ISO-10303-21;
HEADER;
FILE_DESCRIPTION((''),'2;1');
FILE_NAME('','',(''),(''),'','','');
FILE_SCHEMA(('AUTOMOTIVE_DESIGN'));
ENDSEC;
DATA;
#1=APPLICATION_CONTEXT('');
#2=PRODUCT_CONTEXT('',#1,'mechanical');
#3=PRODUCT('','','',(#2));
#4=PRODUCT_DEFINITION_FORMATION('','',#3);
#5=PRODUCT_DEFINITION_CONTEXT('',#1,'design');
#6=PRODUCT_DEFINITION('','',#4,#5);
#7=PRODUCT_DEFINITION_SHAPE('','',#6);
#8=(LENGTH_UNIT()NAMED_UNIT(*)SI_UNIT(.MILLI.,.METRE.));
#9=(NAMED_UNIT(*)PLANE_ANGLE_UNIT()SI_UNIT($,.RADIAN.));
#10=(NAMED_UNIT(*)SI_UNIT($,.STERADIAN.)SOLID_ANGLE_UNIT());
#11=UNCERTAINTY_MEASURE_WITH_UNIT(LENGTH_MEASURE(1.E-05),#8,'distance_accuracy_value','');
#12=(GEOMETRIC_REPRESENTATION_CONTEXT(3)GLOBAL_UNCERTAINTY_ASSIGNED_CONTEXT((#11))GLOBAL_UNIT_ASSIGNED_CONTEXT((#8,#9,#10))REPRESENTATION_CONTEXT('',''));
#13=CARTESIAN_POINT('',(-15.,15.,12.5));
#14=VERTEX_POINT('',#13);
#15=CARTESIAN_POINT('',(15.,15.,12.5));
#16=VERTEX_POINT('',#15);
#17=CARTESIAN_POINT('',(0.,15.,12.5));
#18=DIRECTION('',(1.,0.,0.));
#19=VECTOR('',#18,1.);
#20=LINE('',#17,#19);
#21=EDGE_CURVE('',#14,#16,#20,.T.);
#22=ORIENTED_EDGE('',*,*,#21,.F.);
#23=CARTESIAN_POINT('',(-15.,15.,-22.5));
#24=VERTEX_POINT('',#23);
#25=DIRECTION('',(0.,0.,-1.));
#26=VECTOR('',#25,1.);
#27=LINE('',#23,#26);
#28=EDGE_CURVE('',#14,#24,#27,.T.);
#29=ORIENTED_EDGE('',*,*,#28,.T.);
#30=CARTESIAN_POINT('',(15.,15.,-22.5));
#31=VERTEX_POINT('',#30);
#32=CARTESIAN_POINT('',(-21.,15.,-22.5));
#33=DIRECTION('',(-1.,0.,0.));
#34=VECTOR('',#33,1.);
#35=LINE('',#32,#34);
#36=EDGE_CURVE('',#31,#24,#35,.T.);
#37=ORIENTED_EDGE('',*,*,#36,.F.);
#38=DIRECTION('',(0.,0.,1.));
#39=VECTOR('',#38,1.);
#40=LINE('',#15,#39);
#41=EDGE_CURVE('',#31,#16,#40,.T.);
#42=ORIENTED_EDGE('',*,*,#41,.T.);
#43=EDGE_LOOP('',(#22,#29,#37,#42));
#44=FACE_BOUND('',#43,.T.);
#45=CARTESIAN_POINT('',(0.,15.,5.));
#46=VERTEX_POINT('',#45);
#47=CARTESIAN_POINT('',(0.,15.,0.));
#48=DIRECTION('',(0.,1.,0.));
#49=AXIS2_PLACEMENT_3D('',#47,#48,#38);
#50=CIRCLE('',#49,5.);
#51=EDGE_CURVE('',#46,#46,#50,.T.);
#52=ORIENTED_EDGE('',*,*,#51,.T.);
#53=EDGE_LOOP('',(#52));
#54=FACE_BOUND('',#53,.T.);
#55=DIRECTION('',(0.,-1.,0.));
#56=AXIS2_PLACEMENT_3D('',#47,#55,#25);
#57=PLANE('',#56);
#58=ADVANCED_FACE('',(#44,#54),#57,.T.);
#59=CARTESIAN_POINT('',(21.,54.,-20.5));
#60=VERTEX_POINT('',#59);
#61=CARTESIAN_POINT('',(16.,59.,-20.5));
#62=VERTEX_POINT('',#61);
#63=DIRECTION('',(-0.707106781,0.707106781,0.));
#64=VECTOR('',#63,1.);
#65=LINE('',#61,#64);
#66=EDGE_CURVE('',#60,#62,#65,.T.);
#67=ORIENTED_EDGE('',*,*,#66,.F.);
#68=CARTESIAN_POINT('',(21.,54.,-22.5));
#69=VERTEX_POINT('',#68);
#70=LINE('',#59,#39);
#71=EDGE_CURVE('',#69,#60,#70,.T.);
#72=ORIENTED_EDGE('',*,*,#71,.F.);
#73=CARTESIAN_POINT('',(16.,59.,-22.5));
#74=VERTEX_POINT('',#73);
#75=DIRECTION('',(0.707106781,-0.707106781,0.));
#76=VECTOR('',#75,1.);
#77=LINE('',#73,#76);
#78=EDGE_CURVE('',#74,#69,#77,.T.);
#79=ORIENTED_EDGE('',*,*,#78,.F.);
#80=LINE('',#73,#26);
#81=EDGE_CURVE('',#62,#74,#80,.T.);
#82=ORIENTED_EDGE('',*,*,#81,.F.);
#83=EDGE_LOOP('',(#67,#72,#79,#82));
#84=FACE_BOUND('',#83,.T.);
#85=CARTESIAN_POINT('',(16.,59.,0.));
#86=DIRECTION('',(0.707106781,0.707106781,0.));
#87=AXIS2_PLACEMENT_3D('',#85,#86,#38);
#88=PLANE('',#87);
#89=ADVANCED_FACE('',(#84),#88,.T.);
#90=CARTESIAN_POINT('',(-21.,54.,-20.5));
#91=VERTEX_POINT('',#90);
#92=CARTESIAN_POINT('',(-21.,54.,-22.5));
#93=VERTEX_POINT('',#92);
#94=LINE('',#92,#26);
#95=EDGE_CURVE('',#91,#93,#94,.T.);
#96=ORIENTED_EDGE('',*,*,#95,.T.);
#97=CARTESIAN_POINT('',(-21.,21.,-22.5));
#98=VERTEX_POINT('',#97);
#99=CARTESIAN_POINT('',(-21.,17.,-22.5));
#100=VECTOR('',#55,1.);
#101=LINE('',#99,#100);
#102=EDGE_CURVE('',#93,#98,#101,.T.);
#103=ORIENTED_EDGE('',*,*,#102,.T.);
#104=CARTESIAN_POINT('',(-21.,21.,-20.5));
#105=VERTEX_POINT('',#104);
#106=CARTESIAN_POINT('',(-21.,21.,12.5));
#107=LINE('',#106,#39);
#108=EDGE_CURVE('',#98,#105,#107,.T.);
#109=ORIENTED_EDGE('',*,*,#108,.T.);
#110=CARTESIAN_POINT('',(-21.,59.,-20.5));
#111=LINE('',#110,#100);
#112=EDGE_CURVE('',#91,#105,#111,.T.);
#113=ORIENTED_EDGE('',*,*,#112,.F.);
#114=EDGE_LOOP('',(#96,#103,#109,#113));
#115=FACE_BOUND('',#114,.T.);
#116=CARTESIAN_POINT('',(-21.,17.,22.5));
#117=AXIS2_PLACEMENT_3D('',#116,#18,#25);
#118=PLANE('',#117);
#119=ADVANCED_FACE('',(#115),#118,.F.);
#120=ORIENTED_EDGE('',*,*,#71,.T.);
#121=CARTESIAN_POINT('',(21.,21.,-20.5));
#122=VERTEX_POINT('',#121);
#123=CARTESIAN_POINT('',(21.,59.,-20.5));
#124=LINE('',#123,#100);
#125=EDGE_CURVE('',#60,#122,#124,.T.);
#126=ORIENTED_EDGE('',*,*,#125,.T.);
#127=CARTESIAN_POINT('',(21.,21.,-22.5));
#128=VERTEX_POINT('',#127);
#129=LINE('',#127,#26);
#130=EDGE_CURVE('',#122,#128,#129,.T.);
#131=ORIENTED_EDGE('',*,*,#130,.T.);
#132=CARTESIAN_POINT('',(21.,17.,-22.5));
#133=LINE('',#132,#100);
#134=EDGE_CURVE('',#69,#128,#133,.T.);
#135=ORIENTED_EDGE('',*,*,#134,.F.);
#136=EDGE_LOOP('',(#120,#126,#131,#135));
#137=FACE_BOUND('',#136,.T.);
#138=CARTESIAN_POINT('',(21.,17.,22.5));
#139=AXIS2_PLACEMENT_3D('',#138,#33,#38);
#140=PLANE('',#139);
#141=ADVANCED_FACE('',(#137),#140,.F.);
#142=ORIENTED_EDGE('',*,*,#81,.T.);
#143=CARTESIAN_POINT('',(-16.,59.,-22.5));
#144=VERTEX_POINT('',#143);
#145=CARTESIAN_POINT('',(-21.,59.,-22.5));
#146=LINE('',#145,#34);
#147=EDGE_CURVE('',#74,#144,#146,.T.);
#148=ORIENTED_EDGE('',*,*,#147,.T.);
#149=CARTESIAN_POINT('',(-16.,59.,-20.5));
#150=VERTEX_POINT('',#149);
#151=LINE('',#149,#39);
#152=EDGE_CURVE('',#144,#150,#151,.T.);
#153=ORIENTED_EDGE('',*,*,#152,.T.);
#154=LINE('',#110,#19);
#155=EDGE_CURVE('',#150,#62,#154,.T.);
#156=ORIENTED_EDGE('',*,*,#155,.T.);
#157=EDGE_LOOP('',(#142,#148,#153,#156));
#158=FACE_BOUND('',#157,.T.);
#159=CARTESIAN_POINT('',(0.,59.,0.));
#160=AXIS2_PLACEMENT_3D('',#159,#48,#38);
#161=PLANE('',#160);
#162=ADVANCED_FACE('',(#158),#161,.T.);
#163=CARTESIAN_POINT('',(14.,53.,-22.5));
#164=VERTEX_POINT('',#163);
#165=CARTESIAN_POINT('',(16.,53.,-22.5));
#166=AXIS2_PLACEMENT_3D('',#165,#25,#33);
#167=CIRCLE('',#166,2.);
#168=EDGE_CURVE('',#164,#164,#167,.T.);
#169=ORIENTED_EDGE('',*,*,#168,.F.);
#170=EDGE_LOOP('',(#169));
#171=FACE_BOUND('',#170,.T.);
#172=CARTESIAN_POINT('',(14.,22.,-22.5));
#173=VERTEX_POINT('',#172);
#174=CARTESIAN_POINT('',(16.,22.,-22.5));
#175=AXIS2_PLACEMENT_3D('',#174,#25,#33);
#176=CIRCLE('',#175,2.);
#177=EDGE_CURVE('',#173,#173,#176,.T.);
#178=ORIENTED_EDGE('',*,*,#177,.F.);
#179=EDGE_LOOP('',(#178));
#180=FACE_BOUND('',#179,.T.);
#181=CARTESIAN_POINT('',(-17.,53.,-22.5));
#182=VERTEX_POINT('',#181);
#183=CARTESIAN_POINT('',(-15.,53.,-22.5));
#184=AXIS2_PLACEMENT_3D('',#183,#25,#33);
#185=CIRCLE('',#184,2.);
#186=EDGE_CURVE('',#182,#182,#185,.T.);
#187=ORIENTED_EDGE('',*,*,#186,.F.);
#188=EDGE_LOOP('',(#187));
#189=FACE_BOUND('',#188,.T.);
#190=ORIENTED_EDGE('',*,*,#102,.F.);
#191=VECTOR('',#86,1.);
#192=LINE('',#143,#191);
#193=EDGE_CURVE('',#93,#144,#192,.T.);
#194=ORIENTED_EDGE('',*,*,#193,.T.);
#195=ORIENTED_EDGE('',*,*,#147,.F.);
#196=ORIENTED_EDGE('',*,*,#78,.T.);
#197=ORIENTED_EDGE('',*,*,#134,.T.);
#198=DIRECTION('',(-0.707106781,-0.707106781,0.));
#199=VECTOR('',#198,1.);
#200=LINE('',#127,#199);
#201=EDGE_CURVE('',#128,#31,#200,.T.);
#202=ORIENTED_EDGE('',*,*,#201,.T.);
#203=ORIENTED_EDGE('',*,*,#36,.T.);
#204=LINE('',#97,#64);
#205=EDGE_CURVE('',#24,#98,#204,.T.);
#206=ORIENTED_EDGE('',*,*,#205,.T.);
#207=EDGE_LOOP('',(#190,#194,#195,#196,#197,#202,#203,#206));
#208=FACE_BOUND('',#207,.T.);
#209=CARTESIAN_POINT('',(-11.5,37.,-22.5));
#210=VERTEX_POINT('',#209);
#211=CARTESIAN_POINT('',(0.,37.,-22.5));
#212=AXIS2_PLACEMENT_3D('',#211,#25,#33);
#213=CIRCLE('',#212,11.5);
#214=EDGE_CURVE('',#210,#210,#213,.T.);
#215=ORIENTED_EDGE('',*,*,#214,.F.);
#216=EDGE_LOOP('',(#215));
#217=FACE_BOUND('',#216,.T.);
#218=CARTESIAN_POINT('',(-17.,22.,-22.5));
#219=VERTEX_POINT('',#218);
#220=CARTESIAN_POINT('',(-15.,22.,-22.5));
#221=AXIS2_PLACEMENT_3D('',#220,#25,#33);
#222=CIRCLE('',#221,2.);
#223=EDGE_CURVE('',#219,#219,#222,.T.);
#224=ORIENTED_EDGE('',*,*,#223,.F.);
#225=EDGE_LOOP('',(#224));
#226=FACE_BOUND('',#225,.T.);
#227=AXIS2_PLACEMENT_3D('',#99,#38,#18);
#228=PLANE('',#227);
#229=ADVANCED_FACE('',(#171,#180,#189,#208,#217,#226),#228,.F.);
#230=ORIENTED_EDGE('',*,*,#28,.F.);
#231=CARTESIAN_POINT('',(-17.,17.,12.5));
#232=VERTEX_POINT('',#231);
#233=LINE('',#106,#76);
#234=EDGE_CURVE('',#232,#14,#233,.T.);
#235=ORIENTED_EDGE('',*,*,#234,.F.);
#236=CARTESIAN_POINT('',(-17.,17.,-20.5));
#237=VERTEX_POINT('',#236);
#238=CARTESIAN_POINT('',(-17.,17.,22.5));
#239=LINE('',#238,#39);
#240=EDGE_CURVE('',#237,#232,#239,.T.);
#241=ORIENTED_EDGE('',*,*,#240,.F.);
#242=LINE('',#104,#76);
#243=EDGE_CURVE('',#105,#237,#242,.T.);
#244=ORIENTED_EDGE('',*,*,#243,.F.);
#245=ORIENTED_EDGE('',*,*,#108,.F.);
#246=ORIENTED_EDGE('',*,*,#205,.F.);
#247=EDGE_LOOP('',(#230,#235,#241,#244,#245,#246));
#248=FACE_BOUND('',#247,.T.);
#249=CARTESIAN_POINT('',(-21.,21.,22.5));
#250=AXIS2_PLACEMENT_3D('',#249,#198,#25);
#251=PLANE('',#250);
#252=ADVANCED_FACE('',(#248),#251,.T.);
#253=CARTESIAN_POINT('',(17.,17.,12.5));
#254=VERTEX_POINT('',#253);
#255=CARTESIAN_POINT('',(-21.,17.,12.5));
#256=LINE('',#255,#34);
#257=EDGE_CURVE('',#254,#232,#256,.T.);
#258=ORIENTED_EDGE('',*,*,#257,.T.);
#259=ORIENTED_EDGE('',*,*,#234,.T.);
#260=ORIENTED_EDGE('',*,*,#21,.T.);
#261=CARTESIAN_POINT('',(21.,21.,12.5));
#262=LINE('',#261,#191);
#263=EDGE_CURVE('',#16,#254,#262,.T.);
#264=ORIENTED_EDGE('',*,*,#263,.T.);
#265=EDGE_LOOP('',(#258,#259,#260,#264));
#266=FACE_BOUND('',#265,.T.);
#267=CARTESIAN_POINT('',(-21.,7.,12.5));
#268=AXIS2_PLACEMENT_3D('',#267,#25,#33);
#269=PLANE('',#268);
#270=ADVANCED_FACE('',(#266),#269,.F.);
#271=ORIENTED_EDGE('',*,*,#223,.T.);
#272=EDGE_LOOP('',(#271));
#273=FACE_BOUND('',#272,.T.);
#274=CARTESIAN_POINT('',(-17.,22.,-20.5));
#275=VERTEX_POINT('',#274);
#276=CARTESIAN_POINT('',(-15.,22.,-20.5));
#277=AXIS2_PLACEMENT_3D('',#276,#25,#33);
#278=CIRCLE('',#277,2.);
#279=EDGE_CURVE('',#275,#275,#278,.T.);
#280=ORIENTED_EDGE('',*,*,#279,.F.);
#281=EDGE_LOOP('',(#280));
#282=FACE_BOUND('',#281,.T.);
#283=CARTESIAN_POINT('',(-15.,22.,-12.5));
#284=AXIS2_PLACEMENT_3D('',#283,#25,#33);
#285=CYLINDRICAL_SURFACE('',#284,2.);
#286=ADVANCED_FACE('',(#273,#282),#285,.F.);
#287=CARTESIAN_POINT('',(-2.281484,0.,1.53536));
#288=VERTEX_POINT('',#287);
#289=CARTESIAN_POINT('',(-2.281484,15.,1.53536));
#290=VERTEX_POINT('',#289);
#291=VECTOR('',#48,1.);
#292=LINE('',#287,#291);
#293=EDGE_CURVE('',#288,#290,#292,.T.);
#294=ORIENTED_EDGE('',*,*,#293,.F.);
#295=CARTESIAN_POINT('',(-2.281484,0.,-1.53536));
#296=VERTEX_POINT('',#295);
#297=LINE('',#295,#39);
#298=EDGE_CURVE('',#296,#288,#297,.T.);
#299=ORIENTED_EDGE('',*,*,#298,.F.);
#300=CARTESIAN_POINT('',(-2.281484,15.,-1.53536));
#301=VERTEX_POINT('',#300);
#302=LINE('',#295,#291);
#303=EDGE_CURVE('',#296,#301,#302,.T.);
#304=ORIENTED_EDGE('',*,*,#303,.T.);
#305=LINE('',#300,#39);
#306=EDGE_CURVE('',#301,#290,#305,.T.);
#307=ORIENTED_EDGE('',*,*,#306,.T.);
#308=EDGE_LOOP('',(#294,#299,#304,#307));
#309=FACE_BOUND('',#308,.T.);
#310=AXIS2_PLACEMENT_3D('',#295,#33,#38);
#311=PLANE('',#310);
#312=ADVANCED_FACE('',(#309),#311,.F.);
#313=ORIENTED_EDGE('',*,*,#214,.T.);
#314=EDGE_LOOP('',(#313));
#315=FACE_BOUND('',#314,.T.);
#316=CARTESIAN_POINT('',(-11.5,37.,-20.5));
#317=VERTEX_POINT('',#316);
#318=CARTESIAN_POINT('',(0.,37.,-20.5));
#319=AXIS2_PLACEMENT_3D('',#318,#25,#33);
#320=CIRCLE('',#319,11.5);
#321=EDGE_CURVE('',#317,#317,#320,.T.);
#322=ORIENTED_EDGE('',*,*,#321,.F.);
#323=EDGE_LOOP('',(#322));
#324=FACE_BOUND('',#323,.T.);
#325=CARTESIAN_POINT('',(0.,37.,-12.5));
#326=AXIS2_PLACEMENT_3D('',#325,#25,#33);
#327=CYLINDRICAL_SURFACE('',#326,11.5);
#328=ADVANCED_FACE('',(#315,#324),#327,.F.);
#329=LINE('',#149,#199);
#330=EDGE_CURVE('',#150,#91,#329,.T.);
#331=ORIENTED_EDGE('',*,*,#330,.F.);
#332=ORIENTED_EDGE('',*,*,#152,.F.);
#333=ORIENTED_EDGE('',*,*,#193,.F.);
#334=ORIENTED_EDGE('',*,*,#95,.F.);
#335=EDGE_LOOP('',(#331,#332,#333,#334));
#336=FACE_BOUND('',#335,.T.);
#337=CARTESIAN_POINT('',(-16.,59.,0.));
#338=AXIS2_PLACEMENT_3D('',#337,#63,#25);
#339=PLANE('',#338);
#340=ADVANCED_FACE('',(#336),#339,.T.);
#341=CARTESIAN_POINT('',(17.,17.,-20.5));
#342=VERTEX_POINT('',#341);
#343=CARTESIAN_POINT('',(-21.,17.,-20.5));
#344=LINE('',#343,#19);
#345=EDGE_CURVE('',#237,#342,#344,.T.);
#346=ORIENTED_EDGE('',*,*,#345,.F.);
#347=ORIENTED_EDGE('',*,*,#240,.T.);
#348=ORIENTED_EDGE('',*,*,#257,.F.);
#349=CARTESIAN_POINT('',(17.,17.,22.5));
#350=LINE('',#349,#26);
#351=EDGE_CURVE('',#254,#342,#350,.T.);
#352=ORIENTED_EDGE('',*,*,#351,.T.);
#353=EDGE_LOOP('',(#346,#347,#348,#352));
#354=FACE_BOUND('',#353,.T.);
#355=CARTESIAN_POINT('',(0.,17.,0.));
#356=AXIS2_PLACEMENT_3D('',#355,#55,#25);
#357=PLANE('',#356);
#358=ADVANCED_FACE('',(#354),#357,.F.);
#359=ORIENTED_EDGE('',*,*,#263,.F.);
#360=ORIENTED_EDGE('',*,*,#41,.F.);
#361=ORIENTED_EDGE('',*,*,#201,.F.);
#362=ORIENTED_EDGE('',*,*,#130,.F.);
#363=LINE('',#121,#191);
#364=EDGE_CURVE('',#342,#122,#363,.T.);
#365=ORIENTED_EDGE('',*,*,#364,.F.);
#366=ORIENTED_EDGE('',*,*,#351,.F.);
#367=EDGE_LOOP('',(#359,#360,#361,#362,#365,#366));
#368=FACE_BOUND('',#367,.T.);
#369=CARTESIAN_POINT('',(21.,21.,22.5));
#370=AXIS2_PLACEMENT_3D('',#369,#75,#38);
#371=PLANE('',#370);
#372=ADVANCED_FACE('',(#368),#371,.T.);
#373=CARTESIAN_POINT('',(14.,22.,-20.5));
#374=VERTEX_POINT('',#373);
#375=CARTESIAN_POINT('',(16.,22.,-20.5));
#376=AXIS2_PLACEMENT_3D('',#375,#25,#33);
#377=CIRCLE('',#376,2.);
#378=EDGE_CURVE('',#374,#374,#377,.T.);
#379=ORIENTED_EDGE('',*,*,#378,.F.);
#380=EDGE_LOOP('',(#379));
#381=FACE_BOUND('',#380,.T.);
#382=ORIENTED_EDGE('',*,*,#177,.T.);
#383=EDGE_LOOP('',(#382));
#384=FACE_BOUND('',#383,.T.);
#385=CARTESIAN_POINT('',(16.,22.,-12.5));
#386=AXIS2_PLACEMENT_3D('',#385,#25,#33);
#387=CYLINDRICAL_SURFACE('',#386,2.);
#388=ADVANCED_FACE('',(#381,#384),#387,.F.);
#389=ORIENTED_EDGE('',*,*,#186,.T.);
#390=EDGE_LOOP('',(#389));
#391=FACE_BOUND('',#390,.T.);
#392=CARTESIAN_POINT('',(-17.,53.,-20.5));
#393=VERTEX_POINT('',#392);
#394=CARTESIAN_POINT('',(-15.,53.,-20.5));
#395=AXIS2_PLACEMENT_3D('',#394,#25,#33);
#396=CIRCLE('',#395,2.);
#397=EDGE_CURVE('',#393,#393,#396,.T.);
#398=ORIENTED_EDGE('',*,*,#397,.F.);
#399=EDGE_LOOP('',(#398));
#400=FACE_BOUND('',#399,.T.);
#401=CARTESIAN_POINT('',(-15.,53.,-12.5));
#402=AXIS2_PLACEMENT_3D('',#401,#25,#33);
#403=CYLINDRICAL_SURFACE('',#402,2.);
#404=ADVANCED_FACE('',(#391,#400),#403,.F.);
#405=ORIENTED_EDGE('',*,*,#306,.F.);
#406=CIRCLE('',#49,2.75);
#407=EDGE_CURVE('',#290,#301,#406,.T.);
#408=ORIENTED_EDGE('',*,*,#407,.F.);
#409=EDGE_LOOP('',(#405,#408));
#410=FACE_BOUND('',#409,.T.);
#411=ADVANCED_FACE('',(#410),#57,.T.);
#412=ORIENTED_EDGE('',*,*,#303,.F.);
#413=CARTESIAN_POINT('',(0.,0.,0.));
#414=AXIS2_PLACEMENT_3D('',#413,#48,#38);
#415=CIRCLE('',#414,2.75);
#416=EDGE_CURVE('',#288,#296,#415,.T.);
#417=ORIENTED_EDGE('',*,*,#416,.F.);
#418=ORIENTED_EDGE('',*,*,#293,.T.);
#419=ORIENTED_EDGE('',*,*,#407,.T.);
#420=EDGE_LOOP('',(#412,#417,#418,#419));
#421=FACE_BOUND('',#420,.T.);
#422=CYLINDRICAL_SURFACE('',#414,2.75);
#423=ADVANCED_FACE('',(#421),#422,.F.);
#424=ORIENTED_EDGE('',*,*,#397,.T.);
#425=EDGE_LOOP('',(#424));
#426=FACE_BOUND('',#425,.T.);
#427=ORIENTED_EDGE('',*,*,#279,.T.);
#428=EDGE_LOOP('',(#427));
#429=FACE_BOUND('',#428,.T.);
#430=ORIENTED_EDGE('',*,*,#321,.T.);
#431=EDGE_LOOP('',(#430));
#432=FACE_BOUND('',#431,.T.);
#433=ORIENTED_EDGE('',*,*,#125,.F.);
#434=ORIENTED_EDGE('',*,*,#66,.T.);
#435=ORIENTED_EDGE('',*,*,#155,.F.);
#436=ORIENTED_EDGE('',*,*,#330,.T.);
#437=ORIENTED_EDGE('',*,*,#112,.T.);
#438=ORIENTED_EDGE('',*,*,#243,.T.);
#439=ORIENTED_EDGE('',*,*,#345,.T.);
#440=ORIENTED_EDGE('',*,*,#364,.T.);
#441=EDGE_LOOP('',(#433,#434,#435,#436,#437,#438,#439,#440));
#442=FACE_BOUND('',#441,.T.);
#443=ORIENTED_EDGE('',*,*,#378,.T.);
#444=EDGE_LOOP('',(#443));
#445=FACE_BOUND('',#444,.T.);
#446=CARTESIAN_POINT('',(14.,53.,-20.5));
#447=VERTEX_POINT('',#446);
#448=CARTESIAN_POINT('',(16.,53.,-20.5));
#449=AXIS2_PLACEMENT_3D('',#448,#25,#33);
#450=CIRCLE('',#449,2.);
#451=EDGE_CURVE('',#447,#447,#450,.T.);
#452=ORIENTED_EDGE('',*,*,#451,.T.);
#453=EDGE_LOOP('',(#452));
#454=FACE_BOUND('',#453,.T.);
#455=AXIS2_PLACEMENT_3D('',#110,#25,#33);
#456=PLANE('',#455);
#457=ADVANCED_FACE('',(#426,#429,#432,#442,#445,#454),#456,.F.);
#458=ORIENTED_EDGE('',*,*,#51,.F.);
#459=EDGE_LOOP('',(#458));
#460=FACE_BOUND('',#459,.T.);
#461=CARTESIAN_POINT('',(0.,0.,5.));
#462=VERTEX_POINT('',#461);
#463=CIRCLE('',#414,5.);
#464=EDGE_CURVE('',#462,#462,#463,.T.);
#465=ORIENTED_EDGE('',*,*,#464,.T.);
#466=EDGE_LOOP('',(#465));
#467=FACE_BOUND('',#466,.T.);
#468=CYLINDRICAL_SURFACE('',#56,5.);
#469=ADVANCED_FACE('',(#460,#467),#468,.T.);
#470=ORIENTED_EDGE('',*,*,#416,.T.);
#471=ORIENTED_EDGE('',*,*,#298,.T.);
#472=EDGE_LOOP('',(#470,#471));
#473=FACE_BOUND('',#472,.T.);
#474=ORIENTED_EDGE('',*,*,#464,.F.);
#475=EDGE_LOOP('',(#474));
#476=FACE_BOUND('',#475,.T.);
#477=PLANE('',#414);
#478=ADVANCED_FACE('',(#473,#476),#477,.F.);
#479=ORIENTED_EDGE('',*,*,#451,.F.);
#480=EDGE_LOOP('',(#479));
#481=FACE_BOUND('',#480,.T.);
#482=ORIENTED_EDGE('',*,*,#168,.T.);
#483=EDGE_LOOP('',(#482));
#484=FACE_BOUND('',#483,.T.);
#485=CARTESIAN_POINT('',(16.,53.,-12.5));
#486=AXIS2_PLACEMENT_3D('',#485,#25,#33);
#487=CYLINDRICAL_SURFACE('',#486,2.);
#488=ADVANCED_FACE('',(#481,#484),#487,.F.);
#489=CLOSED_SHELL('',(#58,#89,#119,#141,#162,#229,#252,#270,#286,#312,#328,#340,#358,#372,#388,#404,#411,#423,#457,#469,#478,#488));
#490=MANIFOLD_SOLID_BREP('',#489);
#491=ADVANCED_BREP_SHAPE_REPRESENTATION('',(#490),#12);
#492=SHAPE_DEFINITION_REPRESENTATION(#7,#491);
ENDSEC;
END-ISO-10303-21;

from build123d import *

# Parameters (mm, degrees)
SKETCH1_R           = 5
BOSS_EXTRUDE1_DEPTH = 15
CUT_EXTRUDE1_DEPTH  = 17.583123952
SKETCH3_W           = 42
SKETCH3_H           = 45
BOSS_EXTRUDE2_DEPTH = 2
SKETCH4_W           = 42
SKETCH4_H           = 2
BOSS_EXTRUDE3_DEPTH = 42
SKETCH6_R           = 11.5
CUT_EXTRUDE3_DEPTH  = 10
SKETCH7_W           = 42
SKETCH7_H           = 10
CUT_EXTRUDE4_DEPTH  = 10
SKETCH5_R           = 2
CUT_EXTRUDE5_DEPTH  = 10
CHAMFER1_SIZE       = 5
CHAMFER2_SIZE       = 6


with BuildPart() as part:
    # Sketch1 → Boss-Extrude1 (new body)
    with BuildSketch(Plane(origin=(0, 0, 0), x_dir=(1, 0, 0), z_dir=(0, 1, 0))):
        with Locations(Location((0, 0, 0), (0, 0, 270))):
            Circle(SKETCH1_R)
    extrude(amount=BOSS_EXTRUDE1_DEPTH)

    # Sketch2 → Cut-Extrude1 (cut, through all)
    with BuildSketch(Plane(origin=(0, 15, 0), x_dir=(1, 0, 0), z_dir=(0, 1, 0))):
        with BuildLine():
            Line((-2.28148439, 1.53535956), (-2.28148439, -1.53535956))
            ThreePointArc((-2.28148439, -1.53535956), (2.75, 0), (-2.28148439, 1.53535956))
        make_face()
    extrude(amount=-CUT_EXTRUDE1_DEPTH, mode=Mode.SUBTRACT)

    # Sketch3 → Boss-Extrude2 (add)
    with BuildSketch(Plane(origin=(0, 15, 0), x_dir=(1, 0, 0), z_dir=(0, 1, 0))):
        Rectangle(SKETCH3_W, SKETCH3_H)
    extrude(amount=BOSS_EXTRUDE2_DEPTH)

    # Sketch4 → Boss-Extrude3 (add)
    with BuildSketch(Plane(origin=(0, 17, 0), x_dir=(1, 0, 0), z_dir=(0, 1, 0))):
        with Locations((0, 21.5)):
            Rectangle(SKETCH4_W, SKETCH4_H)
    extrude(amount=BOSS_EXTRUDE3_DEPTH)

    # Sketch6 → Cut-Extrude3 (cut)
    with BuildSketch(Plane(origin=(0, 0, -22.5), x_dir=(-1, 0, 0), z_dir=(0, 0, -1))):
        with Locations((0, 37)):
            Circle(SKETCH6_R)
    extrude(amount=-CUT_EXTRUDE3_DEPTH, mode=Mode.SUBTRACT)

    # Sketch7 → Cut-Extrude4 (cut)
    with BuildSketch(Plane(origin=(0, 17, 0), x_dir=(1, 0, 0), z_dir=(0, 1, 0))):
        with Locations((0, -17.5)):
            Rectangle(SKETCH7_W, SKETCH7_H)
    extrude(amount=-CUT_EXTRUDE4_DEPTH, mode=Mode.SUBTRACT)

    # Sketch5 → Cut-Extrude5 (cut)
    with BuildSketch(Plane(origin=(0, 0, -22.5), x_dir=(-1, 0, 0), z_dir=(0, 0, -1))):
        with Locations((15, 53)):
            Circle(SKETCH5_R)
        with Locations((-16, 53)):
            Circle(SKETCH5_R)
        with Locations((15, 22)):
            Circle(SKETCH5_R)
        with Locations((-16, 22)):
            Circle(SKETCH5_R)
    extrude(amount=-CUT_EXTRUDE5_DEPTH, mode=Mode.SUBTRACT)

    # Chamfer1
    chamfer1_edges = [part.edges().sort_by_distance(p)[0] for p in [
        (-21, 59, -21.5),
        (21, 59, -21.5),
    ]]
    chamfer(chamfer1_edges, length=CHAMFER1_SIZE)

    # Chamfer2
    chamfer2_edges = [part.edges().sort_by_distance(p)[0] for p in [
        (21, 15, -5),
        (-21, 15, -5),
    ]]
    chamfer(chamfer2_edges, length=CHAMFER2_SIZE)


solid = part.part
